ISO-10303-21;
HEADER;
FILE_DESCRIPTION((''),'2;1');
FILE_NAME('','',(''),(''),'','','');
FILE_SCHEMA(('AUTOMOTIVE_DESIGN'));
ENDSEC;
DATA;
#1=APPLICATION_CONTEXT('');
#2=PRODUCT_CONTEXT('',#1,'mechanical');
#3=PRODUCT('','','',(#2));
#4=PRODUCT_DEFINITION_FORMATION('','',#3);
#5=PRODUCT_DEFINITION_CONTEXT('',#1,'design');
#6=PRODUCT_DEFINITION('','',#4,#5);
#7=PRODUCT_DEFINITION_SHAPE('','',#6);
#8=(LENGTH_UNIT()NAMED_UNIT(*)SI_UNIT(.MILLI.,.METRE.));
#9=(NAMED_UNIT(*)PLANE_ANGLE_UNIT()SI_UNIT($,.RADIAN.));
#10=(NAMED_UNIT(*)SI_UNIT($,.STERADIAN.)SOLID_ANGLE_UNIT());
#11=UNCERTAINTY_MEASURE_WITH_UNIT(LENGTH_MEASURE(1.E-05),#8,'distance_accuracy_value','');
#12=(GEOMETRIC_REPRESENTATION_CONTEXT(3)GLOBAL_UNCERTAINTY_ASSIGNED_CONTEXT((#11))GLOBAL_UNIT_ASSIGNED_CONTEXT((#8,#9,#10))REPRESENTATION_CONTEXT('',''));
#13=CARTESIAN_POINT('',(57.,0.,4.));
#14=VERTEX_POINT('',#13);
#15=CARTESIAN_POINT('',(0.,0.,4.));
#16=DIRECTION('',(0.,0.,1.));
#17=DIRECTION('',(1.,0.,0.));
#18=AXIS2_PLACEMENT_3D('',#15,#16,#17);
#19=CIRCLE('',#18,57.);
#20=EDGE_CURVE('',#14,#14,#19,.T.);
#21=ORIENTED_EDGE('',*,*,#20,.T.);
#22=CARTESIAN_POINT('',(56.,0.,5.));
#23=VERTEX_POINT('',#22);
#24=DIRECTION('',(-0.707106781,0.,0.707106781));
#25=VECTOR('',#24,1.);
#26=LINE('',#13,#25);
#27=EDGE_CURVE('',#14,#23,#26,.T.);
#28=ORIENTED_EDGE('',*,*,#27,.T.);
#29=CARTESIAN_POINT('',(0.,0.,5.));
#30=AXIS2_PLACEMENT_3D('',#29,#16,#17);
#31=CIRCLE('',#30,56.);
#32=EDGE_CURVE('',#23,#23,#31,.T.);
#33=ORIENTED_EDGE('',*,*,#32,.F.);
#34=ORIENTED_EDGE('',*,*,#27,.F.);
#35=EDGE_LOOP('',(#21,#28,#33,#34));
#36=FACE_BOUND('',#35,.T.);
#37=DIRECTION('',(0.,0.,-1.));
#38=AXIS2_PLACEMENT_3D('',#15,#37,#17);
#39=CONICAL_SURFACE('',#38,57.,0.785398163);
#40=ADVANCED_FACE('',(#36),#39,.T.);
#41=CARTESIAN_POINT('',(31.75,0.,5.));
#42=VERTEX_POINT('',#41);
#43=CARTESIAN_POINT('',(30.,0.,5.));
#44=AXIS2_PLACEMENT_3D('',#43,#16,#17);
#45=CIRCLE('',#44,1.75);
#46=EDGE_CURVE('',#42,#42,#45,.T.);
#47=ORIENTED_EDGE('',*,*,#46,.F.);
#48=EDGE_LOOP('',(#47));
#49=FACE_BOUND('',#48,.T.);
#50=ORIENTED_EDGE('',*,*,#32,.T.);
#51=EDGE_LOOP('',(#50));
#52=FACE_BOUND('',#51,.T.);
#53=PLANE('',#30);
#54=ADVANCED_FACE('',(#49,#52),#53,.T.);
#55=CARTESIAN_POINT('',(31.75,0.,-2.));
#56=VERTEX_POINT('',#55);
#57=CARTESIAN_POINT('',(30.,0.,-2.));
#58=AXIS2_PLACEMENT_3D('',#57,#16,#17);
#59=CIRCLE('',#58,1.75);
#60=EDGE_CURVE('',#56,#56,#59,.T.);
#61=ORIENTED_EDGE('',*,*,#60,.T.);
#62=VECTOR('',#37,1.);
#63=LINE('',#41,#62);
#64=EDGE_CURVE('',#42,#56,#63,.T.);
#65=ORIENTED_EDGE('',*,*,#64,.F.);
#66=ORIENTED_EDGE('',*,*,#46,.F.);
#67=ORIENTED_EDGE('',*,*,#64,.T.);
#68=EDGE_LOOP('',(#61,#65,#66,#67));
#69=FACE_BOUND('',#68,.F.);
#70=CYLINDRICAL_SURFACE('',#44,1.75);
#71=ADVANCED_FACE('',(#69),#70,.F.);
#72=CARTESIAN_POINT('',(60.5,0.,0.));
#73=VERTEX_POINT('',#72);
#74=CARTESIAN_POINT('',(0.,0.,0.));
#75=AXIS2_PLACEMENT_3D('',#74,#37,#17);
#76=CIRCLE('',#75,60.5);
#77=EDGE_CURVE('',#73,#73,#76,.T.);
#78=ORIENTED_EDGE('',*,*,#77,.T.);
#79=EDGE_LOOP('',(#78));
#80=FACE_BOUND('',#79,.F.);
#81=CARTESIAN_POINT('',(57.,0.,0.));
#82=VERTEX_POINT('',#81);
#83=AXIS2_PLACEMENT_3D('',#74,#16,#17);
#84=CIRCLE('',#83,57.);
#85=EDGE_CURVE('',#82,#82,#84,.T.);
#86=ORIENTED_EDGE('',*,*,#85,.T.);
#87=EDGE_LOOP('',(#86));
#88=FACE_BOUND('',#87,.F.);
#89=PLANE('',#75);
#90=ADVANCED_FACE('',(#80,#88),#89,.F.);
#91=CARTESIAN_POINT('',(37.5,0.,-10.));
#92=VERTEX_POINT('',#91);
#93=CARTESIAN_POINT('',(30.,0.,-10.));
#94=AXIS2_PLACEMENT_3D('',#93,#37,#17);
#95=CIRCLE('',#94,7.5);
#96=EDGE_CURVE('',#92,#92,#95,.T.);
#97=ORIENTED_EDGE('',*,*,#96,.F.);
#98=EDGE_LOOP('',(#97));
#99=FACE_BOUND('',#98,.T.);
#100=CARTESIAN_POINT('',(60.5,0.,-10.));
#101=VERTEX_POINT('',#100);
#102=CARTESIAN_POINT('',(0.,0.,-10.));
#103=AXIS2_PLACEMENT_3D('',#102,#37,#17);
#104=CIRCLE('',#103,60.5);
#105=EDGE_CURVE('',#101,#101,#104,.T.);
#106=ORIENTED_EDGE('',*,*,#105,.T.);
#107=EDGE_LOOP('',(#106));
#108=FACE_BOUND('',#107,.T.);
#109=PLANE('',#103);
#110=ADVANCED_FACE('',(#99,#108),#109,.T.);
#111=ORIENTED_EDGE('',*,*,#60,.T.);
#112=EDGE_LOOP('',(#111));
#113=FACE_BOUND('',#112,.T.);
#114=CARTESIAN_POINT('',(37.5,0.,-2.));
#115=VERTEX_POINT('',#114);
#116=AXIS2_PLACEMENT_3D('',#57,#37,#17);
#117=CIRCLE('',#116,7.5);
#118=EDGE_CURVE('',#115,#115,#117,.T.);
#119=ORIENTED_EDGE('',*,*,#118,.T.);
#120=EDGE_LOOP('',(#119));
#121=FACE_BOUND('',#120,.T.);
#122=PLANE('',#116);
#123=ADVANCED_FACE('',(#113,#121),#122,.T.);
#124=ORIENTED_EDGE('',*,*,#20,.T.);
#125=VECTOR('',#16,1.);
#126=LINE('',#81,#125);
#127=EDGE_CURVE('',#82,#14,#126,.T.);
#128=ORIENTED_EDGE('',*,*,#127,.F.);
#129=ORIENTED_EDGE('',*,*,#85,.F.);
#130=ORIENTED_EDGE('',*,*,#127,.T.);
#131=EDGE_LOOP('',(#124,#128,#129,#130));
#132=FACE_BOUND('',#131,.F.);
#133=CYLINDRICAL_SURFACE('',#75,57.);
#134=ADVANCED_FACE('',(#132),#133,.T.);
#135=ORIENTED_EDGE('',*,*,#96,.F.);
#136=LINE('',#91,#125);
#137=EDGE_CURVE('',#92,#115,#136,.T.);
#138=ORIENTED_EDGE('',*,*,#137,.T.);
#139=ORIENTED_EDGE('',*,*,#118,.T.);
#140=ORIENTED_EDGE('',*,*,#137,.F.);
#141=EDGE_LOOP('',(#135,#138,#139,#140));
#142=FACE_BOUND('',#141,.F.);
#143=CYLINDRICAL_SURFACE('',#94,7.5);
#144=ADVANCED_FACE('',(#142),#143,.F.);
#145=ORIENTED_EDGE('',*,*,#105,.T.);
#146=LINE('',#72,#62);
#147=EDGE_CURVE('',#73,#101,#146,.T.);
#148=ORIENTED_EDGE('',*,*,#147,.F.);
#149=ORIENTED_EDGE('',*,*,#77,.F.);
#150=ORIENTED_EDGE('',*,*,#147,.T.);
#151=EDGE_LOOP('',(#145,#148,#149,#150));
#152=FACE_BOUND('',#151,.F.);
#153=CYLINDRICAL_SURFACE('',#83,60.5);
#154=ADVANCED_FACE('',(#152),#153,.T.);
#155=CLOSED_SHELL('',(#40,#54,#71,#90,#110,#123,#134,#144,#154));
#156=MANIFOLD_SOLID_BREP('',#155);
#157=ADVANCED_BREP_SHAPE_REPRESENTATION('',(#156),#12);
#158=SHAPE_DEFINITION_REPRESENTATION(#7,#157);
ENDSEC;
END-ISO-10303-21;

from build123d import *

# Parameters (mm, degrees)
SKETCH_R        = 57
PAD_DEPTH       = 5
SKETCH001_R     = 60.5
PAD001_DEPTH    = 10
CHAMFER_SIZE    = 1
SKETCH002_R     = 1.75
POCKET_DEPTH    = 15.001
SKETCH003_R     = 7.5
POCKET001_DEPTH = 8


with BuildPart() as part:
    # Sketch → Pad (new body)
    with BuildSketch(Plane.XY):
        Circle(SKETCH_R)
    extrude(amount=PAD_DEPTH)

    # Sketch001 (on Face2 of Pad) → Pad001 (join)
    with BuildSketch(Plane(origin=(0, 0, 0), x_dir=(1, 0, 0), z_dir=(0, 0, -1))):
        Circle(SKETCH001_R)
    extrude(amount=PAD001_DEPTH)

    # Chamfer
    chamfer_edges = [part.edges().sort_by_distance(p)[0] for p in [
        (-57, 0, 5),
    ]]
    chamfer(chamfer_edges, length=CHAMFER_SIZE)

    # Sketch002 (on Face4 of Chamfer) → Pocket (cut, through all)
    with BuildSketch(Plane.XY.offset(5)):
        with Locations((30, 0)):
            Circle(SKETCH002_R)
    extrude(amount=-POCKET_DEPTH, mode=Mode.SUBTRACT)

    # Sketch003 (on Face7 of Pocket) → Pocket001 (cut)
    with BuildSketch(Plane(origin=(0, 0, -10), x_dir=(1, 0, 0), z_dir=(0, 0, -1))):
        with Locations((30, 0)):
            Circle(SKETCH003_R)
    extrude(amount=-POCKET001_DEPTH, mode=Mode.SUBTRACT)


solid = part.part
